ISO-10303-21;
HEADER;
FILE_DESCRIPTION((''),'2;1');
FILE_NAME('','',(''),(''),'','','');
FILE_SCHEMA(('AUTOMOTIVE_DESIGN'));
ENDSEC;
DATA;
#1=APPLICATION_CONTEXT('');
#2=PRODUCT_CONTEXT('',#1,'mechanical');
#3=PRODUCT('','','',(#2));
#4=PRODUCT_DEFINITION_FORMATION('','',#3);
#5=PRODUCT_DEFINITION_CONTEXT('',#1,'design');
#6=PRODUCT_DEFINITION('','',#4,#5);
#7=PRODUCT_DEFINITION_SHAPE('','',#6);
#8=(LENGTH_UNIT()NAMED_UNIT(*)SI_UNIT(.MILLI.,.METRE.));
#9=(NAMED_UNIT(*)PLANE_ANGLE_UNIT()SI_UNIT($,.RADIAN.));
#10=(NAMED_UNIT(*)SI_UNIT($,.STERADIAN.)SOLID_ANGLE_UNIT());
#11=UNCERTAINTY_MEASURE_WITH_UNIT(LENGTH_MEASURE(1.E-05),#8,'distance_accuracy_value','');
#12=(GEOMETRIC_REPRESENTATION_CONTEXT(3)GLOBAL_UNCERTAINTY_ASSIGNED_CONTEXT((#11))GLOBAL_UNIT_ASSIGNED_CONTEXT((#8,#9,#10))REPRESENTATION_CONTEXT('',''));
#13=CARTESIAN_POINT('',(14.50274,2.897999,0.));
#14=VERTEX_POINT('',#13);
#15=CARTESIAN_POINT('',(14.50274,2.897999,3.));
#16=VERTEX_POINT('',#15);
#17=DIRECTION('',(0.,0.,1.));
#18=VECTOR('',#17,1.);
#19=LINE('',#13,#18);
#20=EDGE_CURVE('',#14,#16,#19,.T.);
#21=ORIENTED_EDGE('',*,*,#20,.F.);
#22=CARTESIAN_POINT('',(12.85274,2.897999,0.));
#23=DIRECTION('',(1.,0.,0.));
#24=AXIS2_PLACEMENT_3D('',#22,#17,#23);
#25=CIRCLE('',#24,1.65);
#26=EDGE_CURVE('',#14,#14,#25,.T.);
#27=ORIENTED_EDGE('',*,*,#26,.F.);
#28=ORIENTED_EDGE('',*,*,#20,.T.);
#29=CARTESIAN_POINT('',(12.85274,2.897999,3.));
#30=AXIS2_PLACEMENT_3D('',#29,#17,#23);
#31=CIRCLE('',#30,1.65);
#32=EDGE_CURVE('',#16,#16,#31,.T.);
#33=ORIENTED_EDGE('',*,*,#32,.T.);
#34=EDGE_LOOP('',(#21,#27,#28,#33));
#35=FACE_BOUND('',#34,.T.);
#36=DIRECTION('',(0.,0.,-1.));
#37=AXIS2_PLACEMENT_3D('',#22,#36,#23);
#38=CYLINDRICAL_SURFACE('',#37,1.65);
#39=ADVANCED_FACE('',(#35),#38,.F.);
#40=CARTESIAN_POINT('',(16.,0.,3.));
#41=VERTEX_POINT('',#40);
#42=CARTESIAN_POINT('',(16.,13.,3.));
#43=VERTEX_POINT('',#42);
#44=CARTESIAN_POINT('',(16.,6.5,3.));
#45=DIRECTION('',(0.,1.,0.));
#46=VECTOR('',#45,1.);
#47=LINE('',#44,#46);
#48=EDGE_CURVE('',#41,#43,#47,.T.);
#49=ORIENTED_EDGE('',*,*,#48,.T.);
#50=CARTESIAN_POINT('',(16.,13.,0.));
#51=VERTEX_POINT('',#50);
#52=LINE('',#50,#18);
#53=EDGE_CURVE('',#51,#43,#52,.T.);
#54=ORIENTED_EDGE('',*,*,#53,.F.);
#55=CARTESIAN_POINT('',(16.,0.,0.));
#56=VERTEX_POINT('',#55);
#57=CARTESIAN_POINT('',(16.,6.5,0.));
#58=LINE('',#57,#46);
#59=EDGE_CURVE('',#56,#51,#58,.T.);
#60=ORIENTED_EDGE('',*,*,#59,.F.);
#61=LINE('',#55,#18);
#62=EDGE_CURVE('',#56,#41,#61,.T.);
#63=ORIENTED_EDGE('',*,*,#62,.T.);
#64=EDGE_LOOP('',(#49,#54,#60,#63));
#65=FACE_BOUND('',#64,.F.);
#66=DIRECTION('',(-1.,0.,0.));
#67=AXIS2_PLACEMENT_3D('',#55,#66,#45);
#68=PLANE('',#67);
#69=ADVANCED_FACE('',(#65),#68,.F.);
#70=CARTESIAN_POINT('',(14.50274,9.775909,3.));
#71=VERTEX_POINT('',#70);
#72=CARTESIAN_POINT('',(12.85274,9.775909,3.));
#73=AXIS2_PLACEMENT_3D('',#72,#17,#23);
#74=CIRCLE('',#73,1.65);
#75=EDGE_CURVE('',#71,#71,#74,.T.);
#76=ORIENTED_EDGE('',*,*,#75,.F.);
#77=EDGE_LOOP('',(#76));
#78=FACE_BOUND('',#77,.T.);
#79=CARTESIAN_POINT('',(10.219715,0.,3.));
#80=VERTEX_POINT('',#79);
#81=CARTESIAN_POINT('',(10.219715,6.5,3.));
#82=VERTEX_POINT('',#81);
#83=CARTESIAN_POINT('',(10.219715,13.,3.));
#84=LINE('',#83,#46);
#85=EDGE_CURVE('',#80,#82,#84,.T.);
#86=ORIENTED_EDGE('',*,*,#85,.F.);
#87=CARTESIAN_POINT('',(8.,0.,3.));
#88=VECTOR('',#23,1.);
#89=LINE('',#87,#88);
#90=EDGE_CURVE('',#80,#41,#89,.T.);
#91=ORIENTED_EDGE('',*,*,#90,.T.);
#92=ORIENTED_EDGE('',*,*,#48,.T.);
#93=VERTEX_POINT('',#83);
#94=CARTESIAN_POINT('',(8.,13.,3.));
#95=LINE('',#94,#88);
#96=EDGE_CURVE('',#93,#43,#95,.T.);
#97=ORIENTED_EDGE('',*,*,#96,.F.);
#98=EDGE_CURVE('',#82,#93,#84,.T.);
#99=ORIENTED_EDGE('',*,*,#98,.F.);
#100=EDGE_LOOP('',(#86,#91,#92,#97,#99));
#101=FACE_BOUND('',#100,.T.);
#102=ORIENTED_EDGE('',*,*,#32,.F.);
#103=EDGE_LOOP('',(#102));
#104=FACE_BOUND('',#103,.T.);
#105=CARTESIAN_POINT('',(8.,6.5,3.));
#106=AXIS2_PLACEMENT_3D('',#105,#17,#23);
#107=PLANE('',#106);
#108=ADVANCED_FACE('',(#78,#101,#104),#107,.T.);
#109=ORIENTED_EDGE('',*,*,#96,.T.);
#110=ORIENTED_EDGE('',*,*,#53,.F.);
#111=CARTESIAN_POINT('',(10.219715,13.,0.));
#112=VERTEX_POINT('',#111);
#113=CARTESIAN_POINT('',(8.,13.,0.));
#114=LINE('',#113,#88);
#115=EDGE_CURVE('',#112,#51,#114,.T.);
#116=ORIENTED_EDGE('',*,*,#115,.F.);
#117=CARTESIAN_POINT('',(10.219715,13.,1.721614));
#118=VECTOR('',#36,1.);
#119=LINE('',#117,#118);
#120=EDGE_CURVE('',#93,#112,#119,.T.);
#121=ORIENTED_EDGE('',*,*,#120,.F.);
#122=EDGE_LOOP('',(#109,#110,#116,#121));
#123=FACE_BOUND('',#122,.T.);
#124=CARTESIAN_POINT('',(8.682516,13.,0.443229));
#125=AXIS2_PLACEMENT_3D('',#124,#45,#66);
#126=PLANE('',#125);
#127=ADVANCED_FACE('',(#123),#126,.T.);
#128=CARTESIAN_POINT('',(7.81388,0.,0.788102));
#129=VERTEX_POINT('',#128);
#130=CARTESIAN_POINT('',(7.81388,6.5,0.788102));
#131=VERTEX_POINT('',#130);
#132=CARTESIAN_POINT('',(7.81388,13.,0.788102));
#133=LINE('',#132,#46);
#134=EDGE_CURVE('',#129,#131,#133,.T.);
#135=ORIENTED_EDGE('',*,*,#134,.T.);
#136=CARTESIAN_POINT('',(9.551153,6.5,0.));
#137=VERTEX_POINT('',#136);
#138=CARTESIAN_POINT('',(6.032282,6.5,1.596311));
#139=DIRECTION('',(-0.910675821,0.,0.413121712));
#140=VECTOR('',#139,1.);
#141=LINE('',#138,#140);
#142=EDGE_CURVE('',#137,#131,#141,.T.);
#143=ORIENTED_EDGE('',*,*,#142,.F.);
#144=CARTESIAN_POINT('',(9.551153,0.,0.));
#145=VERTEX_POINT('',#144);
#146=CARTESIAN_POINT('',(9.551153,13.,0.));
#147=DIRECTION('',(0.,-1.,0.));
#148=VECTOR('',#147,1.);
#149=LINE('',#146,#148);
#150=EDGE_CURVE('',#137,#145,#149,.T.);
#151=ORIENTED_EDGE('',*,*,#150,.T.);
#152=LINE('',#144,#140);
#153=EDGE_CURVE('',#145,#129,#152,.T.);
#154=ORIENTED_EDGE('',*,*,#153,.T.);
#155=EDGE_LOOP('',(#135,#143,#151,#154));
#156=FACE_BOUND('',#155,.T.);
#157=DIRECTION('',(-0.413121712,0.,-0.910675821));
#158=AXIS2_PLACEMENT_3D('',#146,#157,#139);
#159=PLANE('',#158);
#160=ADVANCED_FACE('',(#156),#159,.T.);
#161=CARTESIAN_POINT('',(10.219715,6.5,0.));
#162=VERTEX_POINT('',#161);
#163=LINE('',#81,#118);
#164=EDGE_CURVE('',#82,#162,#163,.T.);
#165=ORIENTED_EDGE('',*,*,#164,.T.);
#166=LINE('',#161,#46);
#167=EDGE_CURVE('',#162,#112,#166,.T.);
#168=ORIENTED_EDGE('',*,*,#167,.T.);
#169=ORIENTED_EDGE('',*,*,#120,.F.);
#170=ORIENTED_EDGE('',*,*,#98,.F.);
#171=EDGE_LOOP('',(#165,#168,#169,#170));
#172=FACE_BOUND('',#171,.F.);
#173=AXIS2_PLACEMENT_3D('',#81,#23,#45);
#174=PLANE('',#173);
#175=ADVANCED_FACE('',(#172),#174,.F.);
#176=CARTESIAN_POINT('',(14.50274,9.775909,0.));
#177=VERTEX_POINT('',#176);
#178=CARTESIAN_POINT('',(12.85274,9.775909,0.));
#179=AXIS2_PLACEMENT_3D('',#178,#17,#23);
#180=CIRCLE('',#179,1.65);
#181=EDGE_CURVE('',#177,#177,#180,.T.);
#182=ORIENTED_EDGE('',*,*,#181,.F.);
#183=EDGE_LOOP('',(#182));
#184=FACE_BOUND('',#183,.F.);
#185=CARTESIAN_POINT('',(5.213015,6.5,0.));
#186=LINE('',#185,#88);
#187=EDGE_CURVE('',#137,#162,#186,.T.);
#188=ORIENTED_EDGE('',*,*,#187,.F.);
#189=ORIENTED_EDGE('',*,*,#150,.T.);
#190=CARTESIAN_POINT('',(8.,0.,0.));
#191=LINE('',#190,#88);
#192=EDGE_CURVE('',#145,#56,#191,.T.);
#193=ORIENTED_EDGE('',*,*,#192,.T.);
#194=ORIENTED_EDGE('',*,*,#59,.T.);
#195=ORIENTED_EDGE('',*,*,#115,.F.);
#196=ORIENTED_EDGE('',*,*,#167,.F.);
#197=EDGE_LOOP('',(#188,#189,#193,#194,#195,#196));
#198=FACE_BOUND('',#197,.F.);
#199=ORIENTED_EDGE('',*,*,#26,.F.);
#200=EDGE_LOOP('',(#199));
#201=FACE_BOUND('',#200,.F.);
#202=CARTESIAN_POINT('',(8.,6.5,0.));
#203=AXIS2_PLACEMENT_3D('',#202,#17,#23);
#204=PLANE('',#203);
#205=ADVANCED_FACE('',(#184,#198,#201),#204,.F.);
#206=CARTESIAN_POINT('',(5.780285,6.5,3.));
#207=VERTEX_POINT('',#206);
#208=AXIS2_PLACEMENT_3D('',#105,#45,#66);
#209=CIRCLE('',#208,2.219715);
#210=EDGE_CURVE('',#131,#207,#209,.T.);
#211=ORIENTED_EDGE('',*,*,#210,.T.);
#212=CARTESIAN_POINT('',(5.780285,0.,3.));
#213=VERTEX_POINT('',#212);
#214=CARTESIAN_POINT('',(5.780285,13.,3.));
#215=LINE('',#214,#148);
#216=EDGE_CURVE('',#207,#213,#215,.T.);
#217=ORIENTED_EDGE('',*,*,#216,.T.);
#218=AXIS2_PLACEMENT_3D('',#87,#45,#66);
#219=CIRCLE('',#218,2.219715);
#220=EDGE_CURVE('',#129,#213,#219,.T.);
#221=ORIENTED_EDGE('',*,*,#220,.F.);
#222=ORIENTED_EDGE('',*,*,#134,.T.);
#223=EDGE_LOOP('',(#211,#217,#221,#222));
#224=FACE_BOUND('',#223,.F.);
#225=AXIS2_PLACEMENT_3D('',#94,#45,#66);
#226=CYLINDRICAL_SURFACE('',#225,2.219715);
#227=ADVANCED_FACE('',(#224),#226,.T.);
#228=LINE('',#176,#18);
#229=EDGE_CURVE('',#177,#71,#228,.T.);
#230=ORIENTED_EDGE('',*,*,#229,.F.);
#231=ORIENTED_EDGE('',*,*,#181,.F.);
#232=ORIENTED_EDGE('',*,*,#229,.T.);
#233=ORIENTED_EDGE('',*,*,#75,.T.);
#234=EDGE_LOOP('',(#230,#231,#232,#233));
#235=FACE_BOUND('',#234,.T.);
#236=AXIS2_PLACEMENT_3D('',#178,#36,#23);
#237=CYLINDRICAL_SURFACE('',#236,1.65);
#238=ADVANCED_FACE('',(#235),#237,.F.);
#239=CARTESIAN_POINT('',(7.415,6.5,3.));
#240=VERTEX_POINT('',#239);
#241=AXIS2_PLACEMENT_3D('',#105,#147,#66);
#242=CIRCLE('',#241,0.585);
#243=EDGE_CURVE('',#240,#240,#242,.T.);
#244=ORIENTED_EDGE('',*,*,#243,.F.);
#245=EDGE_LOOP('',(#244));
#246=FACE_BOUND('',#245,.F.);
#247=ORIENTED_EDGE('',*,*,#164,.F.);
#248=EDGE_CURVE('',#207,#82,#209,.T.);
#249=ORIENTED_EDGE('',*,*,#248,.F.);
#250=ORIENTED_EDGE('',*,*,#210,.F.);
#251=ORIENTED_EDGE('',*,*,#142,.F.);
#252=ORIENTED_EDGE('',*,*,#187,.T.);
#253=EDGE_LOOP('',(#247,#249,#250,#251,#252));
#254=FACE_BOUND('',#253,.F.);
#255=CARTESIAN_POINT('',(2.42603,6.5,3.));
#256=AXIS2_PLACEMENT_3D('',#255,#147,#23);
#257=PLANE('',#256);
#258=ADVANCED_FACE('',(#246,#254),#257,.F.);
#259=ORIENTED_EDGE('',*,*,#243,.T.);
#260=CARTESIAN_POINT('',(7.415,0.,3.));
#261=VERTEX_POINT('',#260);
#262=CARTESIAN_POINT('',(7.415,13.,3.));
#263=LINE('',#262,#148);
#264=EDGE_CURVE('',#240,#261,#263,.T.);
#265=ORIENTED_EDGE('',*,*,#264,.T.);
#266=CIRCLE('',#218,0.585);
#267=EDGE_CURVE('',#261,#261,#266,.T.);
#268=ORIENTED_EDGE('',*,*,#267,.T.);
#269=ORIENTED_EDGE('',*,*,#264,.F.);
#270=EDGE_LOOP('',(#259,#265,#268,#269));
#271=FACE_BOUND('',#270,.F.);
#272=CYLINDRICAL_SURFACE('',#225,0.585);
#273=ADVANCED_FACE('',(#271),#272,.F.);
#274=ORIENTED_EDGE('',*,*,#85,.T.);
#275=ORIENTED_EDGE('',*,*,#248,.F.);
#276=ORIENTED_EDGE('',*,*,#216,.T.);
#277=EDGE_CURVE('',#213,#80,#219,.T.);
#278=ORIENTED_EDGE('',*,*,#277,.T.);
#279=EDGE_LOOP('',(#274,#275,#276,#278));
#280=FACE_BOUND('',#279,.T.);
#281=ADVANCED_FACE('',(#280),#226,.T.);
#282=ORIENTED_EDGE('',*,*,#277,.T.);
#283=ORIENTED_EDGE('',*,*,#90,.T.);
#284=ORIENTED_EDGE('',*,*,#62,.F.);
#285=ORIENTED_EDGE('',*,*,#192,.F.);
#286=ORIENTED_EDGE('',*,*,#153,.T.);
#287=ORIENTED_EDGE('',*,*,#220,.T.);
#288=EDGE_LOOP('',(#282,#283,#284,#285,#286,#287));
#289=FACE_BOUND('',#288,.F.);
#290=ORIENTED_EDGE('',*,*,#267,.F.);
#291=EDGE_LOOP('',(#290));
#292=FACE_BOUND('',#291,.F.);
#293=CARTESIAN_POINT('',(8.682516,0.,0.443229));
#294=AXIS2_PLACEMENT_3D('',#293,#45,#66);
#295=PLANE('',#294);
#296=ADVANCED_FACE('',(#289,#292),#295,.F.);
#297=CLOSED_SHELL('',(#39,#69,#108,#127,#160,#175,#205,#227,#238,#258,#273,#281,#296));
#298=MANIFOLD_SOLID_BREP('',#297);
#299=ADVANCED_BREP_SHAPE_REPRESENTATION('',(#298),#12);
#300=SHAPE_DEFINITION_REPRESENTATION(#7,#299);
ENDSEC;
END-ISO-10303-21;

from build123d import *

# Parameters (mm, degrees)
F0_W           = 16
F0_H           = 13
F0_R           = 1.65
F1_DEPTH       = 3
F2_R           = 2.2197148543
F3_DEPTH       = 13
F4_R           = 0.585
F5_DEPTH       = 25
F7_DEPTH       = 25
F9_DEPTH       = 13
F10_W          = 7.79368474
F10_H          = 8.6547567695
F11_DEPTH      = 25
F11_DEPTH_BACK = 25


with BuildPart() as f1:
    # F0 (on Top) → F1 (new body)
    with BuildSketch(Plane.XY):
        with Locations((8, 6.5)):
            Rectangle(F0_W, F0_H)
        with Locations((3.1225297134, 2.8979986639)):
            Circle(F0_R, mode=Mode.SUBTRACT)
        with Locations((12.8527397134, 2.8979986639)):
            Circle(F0_R, mode=Mode.SUBTRACT)
        with Locations((3.1225297134, 9.7759086639)):
            Circle(F0_R, mode=Mode.SUBTRACT)
        with Locations((12.8527397134, 9.7759086639)):
            Circle(F0_R, mode=Mode.SUBTRACT)
    extrude(amount=F1_DEPTH)

    # F2 (on face) → F3 (join, through all)
    with BuildSketch(Plane(origin=(0, 13, 0), x_dir=(-1, 0, 0), z_dir=(0, 1, 0))):
        with Locations((-8, 3)):
            Circle(F2_R)
    extrude(amount=-F3_DEPTH)

    # F4 (on face) → F5 (cut)
    with BuildSketch(Plane(origin=(0, 13, 0), x_dir=(-1, 0, 0), z_dir=(0, 1, 0))):
        with Locations((-8, 3)):
            Circle(F4_R)
        Polygon((-8, 0.8955585654), (-9.5511529364, 0), (-6.4488470636, 0), align=None)
    extrude(amount=-F5_DEPTH, mode=Mode.SUBTRACT)

    # F6 (on face) → F7 (cut)
    with BuildSketch(Plane(origin=(0, 13, 0), x_dir=(-1, 0, 0), z_dir=(0, 1, 0))):
        with BuildLine():
            ThreePointArc((-5.7802851457, 3), (-6.4976685136, 1.3659454907), (-8.1861204126, 0.7881018951))
            Line((-8.1861204126, 0.7881018951), (-9.5511529364, 0))
            Line((-9.5511529364, 0), (0, -1.0680041742))
            Line((0, -1.0680041742), (0, 3))
            Line((0, 3), (-5.7802851457, 3))
        make_face()
    extrude(amount=-F7_DEPTH, mode=Mode.SUBTRACT)

    # F8 (on face) → F9 (join, through all)
    with BuildSketch(Plane(origin=(0, 13, 0), x_dir=(-1, 0, 0), z_dir=(0, 1, 0))):
        Polygon((-8, 0.8955585654), (-9.5511529364, 0), (-7.8138795874, 0.7881018951), align=None)
    extrude(amount=-F9_DEPTH)

    # F10 (on face) → F11 (cut, two sides)
    with BuildSketch(Plane.XY.offset(3)) as f11_sk:
        with Locations((6.3228724843, 10.8273783848)):
            Rectangle(F10_W, F10_H)
    extrude(amount=-F11_DEPTH, mode=Mode.SUBTRACT)
    extrude(f11_sk.sketch, amount=F11_DEPTH_BACK, mode=Mode.SUBTRACT)


solid = f1.part
